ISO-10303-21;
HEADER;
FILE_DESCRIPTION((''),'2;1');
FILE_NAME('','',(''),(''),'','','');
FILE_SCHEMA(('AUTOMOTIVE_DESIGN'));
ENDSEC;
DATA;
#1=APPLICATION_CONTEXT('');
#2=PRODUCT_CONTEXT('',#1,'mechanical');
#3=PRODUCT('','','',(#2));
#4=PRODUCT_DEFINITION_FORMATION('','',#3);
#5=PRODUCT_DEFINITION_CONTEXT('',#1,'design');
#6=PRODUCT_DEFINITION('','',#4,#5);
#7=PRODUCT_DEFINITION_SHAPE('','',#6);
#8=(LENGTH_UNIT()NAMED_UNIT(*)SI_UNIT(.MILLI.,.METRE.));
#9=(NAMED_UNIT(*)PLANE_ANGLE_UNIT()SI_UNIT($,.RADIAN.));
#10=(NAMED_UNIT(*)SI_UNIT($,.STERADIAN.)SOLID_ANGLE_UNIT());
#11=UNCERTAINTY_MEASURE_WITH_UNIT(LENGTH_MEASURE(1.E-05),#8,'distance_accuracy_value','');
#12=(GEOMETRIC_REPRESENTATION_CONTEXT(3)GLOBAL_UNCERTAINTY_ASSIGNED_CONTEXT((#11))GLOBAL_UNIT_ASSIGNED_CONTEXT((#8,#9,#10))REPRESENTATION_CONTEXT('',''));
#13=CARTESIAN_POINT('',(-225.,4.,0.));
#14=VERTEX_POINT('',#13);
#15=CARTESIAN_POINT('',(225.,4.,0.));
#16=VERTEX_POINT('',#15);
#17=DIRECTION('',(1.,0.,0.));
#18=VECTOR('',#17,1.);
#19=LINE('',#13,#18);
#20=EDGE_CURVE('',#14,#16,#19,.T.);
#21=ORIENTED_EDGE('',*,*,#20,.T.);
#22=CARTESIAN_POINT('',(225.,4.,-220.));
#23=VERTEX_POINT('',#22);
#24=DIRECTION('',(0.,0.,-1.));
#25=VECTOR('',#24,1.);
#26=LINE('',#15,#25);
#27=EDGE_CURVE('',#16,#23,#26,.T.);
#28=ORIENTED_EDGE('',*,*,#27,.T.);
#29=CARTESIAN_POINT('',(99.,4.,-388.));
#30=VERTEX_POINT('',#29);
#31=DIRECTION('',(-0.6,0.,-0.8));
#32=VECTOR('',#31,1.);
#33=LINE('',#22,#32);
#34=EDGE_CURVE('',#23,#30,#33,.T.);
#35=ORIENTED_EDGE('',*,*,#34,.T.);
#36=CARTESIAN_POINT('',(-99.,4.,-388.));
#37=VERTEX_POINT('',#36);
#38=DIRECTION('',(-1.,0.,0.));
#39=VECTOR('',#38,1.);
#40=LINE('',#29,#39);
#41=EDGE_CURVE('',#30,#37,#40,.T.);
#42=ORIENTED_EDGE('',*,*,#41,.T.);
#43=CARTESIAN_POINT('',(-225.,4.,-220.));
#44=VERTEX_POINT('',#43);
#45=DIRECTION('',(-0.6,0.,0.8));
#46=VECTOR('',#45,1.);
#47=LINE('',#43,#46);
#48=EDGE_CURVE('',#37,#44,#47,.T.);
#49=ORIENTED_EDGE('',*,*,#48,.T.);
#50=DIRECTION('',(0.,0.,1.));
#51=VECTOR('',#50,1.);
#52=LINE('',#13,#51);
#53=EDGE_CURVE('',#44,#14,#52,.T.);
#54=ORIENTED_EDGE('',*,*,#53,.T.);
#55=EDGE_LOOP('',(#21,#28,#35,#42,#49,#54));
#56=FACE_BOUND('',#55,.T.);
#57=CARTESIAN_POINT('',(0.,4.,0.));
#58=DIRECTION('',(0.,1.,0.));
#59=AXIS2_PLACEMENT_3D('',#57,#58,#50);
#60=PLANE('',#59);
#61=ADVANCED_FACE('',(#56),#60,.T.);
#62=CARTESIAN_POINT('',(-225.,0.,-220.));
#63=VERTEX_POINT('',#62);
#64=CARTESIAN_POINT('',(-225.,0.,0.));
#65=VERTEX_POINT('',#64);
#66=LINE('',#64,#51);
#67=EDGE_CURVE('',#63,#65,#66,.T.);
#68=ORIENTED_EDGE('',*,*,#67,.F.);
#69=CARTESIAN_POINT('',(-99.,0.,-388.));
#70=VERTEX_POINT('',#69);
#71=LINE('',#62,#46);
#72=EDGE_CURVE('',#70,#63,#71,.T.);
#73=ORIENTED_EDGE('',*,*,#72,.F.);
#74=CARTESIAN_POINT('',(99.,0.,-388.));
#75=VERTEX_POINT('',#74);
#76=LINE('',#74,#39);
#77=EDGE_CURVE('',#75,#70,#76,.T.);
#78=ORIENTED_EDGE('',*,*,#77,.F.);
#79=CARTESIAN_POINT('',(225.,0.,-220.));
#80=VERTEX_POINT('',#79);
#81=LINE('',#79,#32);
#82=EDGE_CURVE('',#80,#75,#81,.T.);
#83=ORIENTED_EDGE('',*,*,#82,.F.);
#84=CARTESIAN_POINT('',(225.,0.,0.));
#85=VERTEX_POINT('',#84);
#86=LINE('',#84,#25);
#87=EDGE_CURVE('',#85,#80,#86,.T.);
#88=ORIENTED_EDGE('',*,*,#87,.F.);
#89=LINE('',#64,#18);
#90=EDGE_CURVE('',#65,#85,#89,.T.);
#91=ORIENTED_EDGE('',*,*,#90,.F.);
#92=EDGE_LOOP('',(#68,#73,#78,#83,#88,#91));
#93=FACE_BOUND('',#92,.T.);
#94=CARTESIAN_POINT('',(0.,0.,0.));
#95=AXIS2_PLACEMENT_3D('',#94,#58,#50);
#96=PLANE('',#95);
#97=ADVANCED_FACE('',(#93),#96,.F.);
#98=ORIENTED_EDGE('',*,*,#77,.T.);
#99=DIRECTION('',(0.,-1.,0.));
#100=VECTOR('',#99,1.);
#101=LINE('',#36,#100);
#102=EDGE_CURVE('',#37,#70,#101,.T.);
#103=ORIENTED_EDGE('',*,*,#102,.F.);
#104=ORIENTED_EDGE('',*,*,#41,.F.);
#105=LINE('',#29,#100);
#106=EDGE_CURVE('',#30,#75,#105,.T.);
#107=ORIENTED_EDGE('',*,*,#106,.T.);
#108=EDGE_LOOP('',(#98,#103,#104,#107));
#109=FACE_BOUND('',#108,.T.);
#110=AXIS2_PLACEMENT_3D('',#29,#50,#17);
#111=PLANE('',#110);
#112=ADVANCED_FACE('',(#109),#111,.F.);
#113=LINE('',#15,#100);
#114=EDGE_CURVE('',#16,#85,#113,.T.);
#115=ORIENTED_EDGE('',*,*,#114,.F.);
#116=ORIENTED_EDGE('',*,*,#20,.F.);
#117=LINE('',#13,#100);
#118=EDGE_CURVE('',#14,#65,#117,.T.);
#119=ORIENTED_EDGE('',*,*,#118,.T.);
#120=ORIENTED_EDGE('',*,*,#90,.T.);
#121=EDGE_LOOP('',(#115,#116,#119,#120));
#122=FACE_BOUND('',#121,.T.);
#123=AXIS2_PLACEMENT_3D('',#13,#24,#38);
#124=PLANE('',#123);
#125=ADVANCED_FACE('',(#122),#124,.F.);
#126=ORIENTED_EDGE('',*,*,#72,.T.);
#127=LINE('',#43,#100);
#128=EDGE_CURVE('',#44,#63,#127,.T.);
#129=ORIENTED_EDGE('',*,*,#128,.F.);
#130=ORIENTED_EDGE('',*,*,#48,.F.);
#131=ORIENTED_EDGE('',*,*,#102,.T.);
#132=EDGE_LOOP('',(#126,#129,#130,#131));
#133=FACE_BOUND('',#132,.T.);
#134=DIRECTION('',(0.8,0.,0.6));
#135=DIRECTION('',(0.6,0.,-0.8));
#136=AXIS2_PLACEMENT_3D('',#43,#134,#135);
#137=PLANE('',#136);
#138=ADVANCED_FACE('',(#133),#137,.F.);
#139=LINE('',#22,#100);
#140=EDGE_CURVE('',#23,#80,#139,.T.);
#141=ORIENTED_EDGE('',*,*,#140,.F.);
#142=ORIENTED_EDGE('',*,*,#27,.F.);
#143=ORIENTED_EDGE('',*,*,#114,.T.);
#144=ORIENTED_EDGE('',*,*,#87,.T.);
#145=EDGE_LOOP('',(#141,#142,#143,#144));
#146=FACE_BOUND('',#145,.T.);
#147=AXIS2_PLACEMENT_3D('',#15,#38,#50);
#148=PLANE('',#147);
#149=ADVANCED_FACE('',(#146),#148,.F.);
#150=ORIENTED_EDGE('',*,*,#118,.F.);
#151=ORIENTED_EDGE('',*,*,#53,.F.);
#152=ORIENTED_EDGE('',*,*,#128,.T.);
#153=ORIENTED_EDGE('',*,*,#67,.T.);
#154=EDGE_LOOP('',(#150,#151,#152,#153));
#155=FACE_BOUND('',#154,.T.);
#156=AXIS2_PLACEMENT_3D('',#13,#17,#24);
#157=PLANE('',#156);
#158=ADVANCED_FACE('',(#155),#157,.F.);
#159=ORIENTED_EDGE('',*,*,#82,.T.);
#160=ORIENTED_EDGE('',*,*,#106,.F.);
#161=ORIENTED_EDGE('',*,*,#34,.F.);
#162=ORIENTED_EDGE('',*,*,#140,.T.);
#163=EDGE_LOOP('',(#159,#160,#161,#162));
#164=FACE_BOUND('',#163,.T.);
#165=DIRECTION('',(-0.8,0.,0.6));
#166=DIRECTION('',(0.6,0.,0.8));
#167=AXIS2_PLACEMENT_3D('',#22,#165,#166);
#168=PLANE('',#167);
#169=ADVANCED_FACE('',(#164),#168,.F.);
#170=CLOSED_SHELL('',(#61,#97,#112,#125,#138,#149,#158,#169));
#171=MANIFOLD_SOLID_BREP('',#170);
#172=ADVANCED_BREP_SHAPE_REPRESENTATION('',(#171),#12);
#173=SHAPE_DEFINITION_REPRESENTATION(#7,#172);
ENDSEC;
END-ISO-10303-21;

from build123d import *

# Parameters (mm, degrees)
EXTRUDE_1_DEPTH = 4


with BuildPart() as part:
    # 草图1 → 凸台-拉伸1 (new body)
    with BuildSketch(Plane(origin=(0, 0, 0), x_dir=(1, 0, 0), z_dir=(0, 1, 0))):
        Polygon((-225, 0), (225, 0), (225, 220), (99, 388), (-99, 388), (-225, 220), align=None)
    extrude(amount=EXTRUDE_1_DEPTH)


solid = part.part
